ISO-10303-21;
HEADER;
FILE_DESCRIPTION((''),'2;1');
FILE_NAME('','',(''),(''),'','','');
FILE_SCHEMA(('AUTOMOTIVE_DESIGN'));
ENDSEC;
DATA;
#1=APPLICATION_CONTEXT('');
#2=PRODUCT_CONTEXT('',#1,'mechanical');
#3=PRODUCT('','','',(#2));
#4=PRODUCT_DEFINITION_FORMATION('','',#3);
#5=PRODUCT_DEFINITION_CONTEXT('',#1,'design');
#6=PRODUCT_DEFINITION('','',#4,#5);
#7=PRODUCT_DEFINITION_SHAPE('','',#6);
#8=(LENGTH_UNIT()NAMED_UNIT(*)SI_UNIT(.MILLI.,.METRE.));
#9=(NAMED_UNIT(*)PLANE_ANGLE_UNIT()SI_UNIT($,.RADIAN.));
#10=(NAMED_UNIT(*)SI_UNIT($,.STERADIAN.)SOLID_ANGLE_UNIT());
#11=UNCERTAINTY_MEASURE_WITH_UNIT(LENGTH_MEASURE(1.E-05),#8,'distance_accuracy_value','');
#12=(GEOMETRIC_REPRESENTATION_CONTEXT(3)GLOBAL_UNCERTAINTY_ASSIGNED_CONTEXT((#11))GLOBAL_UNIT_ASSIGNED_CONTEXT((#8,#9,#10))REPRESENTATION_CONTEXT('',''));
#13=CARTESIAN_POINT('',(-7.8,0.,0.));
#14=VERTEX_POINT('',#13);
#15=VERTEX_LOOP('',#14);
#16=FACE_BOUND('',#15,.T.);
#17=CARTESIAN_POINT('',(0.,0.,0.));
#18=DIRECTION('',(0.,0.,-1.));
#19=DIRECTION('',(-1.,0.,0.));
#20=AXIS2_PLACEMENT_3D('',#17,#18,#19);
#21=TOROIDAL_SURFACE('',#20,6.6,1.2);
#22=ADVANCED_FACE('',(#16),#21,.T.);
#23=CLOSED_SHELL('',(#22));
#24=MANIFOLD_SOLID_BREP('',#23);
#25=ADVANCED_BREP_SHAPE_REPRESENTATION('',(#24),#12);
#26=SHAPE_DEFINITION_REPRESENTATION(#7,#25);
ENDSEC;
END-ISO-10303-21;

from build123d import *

# Parameters (mm, degrees)
SKETCH2_R = 1.2


with BuildPart() as part:
    # Sweep1: sweep along a path in Sketch1
    with BuildLine(Plane.XY) as sweep1_path:
        CenterArc((0, 0), 5.4, 0, 360)
    # Sketch2 → Sweep1 (sweep)
    with BuildSketch(Plane(origin=(0, 0, 0), x_dir=(1, 0, 0), z_dir=(0, 1, 0))):
        with Locations((-6.6, 0)):
            Circle(SKETCH2_R)
    sweep(path=sweep1_path.line)


solid = part.part
